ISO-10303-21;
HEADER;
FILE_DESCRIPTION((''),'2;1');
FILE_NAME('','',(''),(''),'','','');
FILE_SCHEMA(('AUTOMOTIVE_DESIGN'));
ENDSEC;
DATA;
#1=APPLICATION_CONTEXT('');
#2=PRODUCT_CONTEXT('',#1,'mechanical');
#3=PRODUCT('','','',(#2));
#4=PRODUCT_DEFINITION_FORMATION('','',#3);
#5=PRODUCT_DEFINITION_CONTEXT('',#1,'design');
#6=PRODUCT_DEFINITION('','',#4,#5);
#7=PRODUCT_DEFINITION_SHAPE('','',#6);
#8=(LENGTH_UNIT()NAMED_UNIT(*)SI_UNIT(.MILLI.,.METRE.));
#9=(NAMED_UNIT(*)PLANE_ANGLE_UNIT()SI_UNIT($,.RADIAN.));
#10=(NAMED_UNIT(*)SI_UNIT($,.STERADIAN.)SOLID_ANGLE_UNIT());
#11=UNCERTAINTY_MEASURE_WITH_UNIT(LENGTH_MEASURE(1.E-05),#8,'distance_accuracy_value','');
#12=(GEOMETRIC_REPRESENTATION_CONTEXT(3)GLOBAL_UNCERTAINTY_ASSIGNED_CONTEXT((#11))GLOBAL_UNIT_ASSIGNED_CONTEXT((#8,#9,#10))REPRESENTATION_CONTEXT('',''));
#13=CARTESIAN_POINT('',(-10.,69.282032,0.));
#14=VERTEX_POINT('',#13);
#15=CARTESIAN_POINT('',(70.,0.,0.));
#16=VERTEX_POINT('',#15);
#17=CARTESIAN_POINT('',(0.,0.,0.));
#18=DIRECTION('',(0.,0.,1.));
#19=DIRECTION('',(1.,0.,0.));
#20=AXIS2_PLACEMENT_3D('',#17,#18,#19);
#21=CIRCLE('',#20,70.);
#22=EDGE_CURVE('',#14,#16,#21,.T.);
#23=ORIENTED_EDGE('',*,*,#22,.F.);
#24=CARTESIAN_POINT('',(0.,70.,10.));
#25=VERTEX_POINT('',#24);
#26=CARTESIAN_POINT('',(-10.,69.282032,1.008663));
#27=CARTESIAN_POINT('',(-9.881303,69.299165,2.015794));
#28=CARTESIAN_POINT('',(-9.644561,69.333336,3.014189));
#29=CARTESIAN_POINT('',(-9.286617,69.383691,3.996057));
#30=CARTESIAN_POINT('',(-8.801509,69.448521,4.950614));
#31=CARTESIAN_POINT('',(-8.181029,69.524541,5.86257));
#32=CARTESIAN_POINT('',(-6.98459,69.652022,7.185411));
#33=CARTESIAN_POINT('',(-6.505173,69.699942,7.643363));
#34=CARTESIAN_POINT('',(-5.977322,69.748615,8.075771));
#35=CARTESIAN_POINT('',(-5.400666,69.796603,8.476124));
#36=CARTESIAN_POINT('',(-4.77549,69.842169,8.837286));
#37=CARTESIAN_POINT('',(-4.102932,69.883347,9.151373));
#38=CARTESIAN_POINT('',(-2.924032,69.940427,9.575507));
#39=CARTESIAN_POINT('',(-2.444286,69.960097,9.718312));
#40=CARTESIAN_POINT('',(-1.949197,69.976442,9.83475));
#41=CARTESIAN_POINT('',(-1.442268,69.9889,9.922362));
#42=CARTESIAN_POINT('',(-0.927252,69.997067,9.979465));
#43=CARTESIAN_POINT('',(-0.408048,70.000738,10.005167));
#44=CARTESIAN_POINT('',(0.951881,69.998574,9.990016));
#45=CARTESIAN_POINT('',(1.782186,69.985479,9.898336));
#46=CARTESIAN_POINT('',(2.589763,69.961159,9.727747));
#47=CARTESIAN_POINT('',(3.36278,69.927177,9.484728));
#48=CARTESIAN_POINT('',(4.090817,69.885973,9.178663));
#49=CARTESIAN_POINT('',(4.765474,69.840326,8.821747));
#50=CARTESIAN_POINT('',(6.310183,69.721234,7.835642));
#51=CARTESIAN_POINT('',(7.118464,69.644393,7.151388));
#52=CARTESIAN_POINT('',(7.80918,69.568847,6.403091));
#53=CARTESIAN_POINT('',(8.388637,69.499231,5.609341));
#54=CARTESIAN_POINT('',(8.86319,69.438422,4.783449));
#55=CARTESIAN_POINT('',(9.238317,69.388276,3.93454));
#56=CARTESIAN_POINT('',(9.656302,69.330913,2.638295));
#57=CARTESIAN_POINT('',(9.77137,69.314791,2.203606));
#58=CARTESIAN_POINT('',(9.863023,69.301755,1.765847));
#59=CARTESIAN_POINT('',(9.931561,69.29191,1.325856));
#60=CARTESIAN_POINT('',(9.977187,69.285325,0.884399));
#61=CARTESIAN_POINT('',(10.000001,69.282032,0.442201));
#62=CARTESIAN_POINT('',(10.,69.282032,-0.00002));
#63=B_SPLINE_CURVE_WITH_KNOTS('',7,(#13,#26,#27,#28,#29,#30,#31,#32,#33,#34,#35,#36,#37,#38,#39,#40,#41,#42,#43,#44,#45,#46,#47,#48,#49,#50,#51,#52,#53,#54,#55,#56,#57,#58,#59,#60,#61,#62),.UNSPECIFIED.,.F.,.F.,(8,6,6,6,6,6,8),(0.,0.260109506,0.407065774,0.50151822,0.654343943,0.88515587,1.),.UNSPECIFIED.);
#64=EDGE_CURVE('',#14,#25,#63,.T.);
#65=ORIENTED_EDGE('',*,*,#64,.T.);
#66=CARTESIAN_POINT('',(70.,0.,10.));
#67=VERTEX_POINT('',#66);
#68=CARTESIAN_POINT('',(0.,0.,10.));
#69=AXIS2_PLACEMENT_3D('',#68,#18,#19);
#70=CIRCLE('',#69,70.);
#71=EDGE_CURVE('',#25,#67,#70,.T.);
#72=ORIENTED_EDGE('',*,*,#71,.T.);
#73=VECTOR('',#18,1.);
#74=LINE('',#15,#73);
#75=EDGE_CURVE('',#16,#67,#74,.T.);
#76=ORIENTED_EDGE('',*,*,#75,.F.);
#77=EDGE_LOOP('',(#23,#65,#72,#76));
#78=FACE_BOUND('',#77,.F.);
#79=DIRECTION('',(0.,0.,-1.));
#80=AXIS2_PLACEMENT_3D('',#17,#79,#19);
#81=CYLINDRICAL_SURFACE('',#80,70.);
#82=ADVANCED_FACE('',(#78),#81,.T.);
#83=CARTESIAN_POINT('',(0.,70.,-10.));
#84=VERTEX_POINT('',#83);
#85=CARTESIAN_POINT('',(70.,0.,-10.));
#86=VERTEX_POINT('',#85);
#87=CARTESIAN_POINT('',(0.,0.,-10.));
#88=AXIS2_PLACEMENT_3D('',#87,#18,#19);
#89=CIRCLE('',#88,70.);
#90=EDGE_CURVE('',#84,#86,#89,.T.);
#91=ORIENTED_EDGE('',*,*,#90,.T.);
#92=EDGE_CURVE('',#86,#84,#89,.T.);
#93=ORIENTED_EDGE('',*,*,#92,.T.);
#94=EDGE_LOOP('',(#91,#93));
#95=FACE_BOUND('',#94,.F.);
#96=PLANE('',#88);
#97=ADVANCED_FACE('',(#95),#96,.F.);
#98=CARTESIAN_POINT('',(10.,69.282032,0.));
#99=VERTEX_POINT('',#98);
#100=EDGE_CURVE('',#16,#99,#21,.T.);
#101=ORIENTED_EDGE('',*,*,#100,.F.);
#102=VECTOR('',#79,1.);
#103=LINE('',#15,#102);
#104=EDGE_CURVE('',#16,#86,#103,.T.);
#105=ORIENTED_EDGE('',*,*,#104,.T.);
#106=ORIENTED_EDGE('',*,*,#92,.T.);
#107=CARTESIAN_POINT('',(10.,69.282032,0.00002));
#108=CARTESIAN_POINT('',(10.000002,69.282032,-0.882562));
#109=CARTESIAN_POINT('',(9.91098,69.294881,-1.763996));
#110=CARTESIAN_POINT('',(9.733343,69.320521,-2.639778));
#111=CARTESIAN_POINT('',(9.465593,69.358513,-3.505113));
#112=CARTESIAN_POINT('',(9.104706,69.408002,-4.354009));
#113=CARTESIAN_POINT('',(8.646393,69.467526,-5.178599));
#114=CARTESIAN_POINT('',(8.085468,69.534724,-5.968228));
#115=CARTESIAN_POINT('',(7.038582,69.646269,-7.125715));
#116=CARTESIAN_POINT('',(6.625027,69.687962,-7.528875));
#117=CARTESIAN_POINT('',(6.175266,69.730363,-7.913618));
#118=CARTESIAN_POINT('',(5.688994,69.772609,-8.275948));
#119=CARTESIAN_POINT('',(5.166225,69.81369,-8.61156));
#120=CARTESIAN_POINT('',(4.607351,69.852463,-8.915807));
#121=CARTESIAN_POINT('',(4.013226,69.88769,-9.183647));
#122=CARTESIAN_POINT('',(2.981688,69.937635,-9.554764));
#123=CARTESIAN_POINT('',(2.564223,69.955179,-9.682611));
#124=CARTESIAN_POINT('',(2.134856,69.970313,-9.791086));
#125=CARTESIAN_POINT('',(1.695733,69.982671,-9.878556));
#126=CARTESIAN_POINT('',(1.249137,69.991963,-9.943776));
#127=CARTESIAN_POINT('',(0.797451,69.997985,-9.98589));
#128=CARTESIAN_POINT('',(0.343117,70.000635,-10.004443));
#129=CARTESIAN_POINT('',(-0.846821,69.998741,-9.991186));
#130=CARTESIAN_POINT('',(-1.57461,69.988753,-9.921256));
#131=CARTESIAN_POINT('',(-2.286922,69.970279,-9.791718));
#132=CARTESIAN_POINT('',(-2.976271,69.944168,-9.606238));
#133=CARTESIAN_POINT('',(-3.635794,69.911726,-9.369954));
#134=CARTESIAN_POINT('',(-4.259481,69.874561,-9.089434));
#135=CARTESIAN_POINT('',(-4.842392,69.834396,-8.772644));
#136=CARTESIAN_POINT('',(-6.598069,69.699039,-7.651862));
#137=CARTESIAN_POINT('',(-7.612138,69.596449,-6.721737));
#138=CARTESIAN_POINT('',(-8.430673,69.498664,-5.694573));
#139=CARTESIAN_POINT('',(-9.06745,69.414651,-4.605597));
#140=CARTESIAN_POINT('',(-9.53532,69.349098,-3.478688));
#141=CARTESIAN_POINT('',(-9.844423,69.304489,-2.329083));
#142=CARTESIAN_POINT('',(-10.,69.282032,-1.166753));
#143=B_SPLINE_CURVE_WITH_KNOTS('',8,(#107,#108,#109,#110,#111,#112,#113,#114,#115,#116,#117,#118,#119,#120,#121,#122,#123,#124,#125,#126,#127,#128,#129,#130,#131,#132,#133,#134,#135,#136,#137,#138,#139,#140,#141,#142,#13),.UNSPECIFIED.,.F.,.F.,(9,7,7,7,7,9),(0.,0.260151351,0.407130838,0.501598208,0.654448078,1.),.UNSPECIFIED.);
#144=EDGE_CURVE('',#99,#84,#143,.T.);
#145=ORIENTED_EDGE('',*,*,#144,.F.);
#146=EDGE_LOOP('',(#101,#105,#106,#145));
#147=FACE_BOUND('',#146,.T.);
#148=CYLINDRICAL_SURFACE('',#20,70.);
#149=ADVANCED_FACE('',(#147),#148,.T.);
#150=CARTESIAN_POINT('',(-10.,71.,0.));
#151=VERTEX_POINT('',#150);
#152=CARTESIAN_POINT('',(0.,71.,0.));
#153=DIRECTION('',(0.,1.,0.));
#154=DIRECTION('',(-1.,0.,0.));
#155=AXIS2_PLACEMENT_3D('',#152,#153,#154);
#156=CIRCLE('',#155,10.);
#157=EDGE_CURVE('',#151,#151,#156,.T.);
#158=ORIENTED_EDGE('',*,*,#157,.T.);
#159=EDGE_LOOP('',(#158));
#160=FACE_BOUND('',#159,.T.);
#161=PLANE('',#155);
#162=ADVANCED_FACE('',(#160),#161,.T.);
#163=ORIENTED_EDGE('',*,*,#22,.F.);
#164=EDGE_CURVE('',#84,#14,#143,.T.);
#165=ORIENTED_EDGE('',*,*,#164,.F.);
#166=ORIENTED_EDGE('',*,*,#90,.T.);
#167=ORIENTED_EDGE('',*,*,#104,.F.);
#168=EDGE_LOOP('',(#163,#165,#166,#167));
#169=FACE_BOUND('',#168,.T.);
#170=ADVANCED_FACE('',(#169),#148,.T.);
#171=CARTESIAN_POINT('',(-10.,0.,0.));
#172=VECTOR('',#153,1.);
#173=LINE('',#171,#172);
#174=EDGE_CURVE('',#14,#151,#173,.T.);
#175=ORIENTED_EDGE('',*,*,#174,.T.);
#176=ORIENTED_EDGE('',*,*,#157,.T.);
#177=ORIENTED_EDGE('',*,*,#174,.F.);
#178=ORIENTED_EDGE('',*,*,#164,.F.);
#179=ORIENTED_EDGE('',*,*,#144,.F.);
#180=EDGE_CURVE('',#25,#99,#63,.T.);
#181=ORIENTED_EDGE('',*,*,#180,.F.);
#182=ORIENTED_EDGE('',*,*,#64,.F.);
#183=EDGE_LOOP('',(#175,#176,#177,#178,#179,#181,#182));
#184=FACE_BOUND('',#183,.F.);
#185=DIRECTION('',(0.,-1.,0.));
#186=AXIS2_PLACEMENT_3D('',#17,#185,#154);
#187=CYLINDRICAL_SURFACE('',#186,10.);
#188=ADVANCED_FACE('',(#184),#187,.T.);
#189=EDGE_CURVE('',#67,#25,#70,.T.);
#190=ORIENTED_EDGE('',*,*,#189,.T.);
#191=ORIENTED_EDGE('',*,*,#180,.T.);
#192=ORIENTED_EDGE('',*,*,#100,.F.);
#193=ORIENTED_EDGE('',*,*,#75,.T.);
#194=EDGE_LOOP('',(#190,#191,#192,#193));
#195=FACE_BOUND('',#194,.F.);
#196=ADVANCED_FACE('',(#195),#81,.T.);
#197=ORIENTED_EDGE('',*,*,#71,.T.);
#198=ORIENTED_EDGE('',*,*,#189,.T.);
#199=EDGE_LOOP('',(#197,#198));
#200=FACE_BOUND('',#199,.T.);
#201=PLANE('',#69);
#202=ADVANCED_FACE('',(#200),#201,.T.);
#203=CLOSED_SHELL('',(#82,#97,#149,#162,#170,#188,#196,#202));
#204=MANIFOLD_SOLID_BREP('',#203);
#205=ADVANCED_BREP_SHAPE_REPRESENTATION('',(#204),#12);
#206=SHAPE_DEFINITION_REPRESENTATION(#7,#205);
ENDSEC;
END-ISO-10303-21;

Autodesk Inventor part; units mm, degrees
ref_plane "YZ Plane" through (0, 0, 0) normal (1, 0, 0) x (0, 1, 0)
ref_plane "XZ Plane" through (0, 0, 0) normal (0, 1, 0) x (-1, 0, 0)
ref_plane "XY Plane" through (0, 0, 0) normal (0, 0, 1) x (1, 0, 0)
sketch "Эскиз3" plane through (0, 0, 0) normal (0, 0, 1) x (1, 0, 0)
  circle A0 centre (0, 0) radius 70
  dimension "d1" = 140
extrude "Выдавливание1" add sketch "Эскиз3" along normal mid plane 20
sketch "Эскиз4" plane through (0, 0, 0) normal (0, 1, 0) x (-1, 0, 0)
  circle A0 centre (0, 0) radius 10
  dimension "d4" = 20
extrude "Выдавливание2" add sketch "Эскиз4" along normal blind 71
equation "\"d1\" = hip_diam"
equation "\"d4\" = joint_width"
equation "\"hip_diam\" = 140"
equation "\"joint_width\" = 20"
properties part number "ч ASY human dummy 01"
